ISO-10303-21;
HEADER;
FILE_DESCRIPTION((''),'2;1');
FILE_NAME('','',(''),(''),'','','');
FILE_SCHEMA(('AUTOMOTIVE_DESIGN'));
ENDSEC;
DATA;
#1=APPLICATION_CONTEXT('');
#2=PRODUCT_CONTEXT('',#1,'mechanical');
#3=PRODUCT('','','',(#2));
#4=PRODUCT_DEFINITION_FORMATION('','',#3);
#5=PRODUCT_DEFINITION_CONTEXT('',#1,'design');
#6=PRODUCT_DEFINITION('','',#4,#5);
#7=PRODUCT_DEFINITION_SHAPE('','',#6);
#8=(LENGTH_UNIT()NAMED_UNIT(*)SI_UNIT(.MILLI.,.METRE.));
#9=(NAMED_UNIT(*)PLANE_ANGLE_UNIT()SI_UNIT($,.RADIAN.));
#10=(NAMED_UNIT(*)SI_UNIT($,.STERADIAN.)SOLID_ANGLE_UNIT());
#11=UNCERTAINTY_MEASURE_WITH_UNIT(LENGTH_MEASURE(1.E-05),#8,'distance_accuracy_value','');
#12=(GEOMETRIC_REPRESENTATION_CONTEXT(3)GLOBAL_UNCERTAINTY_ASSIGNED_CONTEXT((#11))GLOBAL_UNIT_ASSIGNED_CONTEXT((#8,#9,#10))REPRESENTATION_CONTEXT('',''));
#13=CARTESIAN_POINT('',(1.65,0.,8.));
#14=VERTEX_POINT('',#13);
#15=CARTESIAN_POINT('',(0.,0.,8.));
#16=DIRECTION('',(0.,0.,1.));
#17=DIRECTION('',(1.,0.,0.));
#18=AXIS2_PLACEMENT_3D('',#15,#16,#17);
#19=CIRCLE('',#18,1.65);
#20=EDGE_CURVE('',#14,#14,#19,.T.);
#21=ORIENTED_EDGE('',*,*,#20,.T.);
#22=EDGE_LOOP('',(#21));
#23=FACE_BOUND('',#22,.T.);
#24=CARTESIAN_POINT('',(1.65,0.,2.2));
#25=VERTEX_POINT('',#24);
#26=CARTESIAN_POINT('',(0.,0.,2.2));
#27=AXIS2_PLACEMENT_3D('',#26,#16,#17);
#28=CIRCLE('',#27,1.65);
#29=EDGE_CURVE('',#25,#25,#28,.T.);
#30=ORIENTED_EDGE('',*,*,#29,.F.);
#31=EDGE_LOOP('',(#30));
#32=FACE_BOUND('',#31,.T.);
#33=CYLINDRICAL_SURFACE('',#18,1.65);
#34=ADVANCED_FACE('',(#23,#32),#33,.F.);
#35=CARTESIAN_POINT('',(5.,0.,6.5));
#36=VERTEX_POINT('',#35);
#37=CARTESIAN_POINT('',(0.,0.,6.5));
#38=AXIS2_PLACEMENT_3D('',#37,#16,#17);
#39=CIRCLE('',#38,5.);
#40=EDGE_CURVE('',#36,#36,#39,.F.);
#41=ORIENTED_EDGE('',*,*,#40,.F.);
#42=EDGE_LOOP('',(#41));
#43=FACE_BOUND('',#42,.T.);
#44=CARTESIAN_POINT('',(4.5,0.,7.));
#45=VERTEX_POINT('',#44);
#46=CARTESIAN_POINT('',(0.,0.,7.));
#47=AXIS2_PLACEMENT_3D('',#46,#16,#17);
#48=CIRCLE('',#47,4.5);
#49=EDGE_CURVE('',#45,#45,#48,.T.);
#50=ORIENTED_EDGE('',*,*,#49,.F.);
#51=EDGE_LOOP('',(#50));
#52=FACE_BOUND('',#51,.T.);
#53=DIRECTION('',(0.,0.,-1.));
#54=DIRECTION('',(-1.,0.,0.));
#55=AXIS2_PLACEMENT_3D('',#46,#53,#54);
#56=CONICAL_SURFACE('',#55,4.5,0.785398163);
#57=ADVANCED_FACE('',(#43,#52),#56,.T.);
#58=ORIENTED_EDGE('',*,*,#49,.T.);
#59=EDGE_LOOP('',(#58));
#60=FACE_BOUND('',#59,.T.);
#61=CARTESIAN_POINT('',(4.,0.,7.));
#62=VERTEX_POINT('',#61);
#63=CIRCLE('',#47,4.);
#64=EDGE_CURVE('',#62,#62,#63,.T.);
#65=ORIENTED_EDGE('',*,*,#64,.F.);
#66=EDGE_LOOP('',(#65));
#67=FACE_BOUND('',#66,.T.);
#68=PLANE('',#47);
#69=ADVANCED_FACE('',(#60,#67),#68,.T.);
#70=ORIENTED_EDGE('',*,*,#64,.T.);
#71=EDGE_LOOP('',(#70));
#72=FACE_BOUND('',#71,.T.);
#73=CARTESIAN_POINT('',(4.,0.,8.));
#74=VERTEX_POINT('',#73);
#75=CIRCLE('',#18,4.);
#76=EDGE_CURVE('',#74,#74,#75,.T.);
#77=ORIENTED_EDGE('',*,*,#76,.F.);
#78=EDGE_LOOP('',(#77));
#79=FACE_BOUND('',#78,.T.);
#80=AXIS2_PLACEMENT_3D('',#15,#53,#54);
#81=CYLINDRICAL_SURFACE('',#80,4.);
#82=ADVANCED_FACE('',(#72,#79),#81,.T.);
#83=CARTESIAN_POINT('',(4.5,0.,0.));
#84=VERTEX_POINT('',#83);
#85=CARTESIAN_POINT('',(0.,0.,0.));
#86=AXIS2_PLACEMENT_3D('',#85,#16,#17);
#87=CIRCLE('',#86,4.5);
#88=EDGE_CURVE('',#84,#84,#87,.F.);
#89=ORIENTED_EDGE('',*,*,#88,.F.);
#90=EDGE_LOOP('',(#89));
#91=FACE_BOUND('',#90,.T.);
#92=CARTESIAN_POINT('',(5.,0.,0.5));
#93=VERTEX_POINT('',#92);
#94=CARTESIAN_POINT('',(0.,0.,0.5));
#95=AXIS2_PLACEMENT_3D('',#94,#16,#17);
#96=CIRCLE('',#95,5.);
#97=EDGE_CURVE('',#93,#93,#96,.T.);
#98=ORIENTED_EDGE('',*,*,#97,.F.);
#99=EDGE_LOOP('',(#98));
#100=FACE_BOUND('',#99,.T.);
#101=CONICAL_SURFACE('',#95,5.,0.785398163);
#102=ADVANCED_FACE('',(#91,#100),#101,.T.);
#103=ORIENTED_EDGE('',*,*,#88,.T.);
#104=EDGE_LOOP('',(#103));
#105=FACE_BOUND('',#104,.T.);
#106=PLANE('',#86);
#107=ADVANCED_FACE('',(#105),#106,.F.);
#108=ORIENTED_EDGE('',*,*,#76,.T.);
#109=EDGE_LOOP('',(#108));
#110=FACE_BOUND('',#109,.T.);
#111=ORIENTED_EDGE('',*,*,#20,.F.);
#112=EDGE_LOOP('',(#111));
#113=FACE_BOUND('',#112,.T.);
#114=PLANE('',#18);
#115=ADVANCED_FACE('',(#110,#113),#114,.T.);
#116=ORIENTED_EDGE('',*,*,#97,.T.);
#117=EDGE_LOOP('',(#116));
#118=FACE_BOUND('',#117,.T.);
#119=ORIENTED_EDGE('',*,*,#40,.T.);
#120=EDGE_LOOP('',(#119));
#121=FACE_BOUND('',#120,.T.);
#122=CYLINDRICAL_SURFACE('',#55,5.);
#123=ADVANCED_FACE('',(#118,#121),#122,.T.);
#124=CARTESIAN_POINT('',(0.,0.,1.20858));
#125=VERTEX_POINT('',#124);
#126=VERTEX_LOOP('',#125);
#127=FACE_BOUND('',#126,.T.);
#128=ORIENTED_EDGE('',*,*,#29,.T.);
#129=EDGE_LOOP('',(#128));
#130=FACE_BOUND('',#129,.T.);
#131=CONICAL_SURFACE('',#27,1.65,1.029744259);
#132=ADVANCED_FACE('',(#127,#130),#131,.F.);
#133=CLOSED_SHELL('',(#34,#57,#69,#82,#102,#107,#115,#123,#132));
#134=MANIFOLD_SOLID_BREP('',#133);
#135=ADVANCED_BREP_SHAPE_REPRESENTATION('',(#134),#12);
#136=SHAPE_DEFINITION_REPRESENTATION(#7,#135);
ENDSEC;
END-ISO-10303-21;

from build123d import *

# Parameters (mm, degrees)
SKETCH_1_R      = 5
EXTRUDE_1_DEPTH = 7
SKETCH_2_R      = 4
EXTRUDE_2_DEPTH = 1
M4X0_71_D       = 3.3
M4X0_71_DEPTH   = 5.8
M4X0_71_TIP     = 0.991420021
CHAMFER_1_SIZE  = 0.5


with BuildPart() as part:
    # Эскиз1 → Бобышка-Вытянуть1 (new body)
    with BuildSketch(Plane.XY):
        Circle(SKETCH_1_R)
    extrude(amount=EXTRUDE_1_DEPTH)

    # Эскиз2 → Бобышка-Вытянуть2 (add)
    with BuildSketch(Plane.XY.offset(7)):
        Circle(SKETCH_2_R)
    extrude(amount=EXTRUDE_2_DEPTH)

    # Отверстие обработанное метчиком M4x0.71
    with Locations(Plane.XY.offset(8)):
        with Locations((0, 0)):
            Hole(M4X0_71_D / 2, depth=M4X0_71_DEPTH)
            with Locations((0, 0, -(M4X0_71_DEPTH + M4X0_71_TIP / 2))):  # 118° drill point
                Cone(0, M4X0_71_D / 2, M4X0_71_TIP, mode=Mode.SUBTRACT)

    # Фаска1
    chamfer_1_edges = [part.edges().sort_by_distance(p)[0] for p in [
        (-5, 0, 0),
        (-5, 0, 7),
    ]]
    chamfer(chamfer_1_edges, length=CHAMFER_1_SIZE)


solid = part.part
